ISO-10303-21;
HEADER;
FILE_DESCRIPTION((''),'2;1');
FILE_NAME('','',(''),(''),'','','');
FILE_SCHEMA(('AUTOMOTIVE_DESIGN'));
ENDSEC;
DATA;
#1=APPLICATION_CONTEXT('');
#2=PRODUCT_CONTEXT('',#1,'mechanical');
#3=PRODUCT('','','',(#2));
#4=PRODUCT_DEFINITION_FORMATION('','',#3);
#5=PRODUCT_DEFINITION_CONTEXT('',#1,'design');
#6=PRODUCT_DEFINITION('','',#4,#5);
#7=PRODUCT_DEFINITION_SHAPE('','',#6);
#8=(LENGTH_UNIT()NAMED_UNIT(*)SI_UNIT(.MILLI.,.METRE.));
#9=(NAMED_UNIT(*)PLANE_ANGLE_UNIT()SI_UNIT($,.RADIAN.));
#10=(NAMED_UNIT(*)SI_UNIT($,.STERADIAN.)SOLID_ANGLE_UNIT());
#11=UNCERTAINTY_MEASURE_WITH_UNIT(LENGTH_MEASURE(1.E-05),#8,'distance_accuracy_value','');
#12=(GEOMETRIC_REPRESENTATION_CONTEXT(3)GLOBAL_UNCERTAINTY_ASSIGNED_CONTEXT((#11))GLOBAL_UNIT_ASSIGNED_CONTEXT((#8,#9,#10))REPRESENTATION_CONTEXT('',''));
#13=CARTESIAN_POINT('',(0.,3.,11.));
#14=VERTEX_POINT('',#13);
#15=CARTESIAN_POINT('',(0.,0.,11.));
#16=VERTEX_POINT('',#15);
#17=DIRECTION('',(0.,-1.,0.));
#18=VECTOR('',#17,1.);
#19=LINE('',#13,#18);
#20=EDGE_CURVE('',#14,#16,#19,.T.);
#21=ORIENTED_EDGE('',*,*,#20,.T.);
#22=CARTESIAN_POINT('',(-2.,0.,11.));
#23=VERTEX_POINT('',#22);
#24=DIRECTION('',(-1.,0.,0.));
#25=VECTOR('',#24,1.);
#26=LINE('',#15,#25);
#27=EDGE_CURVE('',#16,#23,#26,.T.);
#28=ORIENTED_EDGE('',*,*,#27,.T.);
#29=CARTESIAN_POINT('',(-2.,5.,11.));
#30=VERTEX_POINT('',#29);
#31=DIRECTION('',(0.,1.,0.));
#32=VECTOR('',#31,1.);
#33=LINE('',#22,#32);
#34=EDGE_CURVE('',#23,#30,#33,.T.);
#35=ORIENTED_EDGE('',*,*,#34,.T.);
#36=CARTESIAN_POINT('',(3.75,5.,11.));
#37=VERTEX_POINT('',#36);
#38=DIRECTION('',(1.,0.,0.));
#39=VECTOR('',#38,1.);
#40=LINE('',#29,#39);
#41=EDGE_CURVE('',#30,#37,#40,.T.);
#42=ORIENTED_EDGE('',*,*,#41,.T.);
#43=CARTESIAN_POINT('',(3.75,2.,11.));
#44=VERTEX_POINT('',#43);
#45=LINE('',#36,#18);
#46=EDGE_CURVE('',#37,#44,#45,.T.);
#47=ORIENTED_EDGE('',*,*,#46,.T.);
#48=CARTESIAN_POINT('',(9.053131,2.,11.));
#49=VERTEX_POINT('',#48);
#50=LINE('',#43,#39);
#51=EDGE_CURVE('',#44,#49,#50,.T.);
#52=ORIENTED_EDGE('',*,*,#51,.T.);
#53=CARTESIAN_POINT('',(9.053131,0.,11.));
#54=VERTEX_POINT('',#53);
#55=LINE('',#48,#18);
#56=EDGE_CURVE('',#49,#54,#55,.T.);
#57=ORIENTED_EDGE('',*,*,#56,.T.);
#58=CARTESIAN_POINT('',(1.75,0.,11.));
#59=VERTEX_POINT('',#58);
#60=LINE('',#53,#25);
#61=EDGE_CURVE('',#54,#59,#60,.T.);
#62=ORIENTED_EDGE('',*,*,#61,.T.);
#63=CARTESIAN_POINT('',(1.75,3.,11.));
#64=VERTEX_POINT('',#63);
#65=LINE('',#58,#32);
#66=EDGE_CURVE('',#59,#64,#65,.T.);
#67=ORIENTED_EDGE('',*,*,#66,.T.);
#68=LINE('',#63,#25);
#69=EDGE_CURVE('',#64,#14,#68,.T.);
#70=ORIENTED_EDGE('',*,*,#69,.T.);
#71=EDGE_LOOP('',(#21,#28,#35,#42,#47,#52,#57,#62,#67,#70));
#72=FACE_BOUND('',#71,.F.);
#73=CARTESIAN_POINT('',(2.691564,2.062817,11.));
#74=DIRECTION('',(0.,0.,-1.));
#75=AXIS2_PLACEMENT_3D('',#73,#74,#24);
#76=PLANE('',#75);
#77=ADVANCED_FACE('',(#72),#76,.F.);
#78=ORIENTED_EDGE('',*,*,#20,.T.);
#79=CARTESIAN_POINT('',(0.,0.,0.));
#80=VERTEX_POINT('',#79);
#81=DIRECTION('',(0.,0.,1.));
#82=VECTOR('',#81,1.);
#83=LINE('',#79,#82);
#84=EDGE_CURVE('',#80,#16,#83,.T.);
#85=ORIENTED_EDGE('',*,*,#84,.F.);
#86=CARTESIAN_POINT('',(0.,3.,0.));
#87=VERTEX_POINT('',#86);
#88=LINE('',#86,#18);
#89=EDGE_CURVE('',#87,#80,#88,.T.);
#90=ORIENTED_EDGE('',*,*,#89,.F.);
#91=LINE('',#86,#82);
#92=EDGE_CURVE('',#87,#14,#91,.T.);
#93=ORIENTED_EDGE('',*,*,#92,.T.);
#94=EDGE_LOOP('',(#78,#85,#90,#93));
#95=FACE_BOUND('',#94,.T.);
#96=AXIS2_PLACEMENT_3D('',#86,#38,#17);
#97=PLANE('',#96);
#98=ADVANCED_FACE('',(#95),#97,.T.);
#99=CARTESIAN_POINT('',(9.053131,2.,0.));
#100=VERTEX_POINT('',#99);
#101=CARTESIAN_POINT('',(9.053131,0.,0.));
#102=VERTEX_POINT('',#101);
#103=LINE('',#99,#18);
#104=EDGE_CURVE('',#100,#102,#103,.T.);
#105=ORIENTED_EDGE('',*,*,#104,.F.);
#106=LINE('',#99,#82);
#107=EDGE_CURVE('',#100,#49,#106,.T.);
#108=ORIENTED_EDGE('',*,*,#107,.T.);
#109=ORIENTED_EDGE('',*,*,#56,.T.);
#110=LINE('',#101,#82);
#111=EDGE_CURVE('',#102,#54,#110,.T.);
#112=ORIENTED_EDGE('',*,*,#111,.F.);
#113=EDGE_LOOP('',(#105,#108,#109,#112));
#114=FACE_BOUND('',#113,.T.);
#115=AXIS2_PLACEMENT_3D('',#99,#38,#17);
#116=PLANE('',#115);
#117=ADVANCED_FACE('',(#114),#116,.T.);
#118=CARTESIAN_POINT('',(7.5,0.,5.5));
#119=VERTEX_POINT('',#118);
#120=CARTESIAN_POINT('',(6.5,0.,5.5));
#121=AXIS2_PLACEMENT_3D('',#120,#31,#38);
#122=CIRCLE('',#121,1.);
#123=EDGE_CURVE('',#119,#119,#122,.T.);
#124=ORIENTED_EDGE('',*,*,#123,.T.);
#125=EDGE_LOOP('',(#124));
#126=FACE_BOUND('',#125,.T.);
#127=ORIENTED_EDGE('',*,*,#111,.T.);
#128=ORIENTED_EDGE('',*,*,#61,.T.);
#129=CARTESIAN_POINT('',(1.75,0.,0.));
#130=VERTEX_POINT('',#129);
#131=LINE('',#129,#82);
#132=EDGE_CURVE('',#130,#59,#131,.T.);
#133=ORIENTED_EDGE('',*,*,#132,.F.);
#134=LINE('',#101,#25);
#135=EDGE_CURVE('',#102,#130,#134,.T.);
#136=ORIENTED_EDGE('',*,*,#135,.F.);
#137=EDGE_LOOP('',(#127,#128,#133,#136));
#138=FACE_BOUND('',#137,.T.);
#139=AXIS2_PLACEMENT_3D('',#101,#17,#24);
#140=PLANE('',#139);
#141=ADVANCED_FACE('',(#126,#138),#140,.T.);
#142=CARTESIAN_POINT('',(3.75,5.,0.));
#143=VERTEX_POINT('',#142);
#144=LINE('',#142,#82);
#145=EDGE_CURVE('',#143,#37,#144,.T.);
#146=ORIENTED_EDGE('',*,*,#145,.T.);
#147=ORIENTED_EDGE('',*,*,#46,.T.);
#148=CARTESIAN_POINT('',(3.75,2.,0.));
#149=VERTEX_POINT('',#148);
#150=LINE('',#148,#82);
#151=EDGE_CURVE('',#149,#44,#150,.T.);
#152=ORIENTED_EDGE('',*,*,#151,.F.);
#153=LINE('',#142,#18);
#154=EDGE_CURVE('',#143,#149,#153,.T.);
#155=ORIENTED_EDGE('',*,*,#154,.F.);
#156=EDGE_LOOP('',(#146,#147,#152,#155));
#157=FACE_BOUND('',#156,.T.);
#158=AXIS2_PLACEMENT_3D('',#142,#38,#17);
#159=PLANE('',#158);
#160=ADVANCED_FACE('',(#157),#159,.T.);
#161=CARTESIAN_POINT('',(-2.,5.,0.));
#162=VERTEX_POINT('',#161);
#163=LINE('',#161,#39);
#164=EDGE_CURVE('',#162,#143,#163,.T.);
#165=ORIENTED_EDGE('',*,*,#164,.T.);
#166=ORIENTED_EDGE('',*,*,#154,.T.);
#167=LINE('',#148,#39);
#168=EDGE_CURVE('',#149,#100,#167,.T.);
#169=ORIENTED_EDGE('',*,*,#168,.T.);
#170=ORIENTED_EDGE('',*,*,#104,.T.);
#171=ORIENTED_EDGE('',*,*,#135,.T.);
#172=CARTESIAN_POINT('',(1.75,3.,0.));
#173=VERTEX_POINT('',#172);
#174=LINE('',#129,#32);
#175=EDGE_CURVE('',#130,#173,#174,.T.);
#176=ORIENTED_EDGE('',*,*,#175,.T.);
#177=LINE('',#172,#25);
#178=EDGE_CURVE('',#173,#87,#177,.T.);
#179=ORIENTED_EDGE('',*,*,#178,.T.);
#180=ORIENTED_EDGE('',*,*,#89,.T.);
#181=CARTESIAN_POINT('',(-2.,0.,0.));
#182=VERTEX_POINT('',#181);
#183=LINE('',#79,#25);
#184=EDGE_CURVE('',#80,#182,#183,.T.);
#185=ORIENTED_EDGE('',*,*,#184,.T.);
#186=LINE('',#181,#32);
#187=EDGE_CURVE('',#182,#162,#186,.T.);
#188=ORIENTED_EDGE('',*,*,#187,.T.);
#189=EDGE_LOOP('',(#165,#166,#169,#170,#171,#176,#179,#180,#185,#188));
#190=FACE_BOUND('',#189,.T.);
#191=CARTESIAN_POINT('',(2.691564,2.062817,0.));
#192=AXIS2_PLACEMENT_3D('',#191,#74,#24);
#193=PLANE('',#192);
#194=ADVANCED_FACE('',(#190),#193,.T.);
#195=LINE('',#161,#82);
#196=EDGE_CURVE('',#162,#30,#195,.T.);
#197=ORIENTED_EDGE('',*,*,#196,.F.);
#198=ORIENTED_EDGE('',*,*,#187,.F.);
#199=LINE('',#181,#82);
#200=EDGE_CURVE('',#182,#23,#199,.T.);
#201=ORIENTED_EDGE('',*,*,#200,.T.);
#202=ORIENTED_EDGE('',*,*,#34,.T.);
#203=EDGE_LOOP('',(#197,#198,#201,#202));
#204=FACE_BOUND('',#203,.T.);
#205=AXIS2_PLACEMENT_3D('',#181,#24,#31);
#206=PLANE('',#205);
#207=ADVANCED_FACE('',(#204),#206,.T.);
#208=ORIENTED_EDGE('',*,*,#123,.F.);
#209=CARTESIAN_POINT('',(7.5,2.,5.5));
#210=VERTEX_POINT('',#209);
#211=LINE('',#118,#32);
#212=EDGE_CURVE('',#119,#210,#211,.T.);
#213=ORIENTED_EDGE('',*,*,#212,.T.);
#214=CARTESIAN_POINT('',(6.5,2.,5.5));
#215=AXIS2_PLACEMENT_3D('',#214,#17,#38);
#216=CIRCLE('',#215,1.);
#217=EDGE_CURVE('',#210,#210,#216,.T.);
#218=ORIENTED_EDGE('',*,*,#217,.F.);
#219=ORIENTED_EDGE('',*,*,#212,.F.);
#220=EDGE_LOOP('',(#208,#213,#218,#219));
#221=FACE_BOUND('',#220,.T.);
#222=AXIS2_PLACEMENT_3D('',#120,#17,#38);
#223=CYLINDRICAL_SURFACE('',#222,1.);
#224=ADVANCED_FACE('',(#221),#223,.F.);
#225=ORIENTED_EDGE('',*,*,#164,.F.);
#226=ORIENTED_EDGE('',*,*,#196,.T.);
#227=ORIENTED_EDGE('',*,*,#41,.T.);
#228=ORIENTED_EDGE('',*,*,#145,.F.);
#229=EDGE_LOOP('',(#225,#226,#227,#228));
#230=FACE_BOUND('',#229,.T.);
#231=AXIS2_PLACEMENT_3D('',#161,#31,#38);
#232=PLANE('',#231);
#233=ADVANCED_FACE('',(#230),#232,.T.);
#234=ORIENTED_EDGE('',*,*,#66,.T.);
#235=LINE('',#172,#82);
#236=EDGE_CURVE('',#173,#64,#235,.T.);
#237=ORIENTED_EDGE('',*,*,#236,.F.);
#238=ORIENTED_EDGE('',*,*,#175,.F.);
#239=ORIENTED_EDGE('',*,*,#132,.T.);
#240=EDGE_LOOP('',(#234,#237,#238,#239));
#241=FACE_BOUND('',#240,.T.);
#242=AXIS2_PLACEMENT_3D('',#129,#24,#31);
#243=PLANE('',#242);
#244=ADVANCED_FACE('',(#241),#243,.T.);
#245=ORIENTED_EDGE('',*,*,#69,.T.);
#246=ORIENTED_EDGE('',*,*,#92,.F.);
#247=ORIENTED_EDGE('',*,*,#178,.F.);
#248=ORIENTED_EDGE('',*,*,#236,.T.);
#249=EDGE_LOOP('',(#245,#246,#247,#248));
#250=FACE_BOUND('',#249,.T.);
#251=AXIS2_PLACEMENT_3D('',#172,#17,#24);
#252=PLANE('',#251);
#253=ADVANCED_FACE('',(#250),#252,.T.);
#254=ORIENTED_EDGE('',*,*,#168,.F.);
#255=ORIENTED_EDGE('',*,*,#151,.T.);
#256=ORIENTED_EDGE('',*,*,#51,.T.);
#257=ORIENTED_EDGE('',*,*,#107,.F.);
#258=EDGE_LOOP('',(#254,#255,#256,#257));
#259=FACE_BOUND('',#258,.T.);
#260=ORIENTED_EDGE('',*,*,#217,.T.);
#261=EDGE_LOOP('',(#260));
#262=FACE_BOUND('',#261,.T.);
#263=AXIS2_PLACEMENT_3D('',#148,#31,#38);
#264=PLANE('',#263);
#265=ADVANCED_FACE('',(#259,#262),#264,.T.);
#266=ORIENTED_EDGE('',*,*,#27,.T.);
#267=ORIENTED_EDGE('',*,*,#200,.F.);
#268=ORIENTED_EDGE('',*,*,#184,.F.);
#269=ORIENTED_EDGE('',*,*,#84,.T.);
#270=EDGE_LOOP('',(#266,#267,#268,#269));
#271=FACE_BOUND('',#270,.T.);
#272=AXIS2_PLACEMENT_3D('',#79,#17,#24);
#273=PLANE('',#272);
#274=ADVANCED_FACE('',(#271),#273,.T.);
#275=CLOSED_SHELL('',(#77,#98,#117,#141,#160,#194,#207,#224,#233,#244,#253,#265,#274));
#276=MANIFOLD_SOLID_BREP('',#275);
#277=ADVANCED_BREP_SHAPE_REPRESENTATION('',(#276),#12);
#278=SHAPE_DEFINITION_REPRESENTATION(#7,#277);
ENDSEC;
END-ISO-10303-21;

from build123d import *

# Parameters (mm, degrees)
CYLINDER_R          = 1
CYLINDER_DEPTH      = 10
CYLINDER_ROLL_ANGLE = -90
EXTRUDE_DEPTH       = 11


with BuildPart() as cylinder:
    # Cylinder → Cylinder (new body)
    with BuildSketch(Plane.XY):
        Circle(CYLINDER_R)
    extrude(amount=CYLINDER_DEPTH)


with BuildPart() as cylinder_1:
    # Cylinder roll: moved
    add(cylinder.part.rotate(Axis((0, 0, 0), (1, 0, 0)), CYLINDER_ROLL_ANGLE))


with BuildPart() as cylinder_2:
    # Cylinder placement: moved
    add(cylinder_1.part.moved(Location((6.5, 0, 5.5))))


with BuildPart() as cut:
    # Sketch → Extrude (new body)
    with BuildSketch(Plane.XY):
        Polygon((-2, 0), (-2, 5), (3.75, 5), (3.75, 2), (9.053131, 2), (9.053131, 0), (1.75, 0), (1.75, 3), (0, 3), (0, 0), align=None)
    extrude(amount=EXTRUDE_DEPTH)

    # Cut: cut Cylinder
    add(cylinder_2.part, mode=Mode.SUBTRACT)


solid = cut.part
